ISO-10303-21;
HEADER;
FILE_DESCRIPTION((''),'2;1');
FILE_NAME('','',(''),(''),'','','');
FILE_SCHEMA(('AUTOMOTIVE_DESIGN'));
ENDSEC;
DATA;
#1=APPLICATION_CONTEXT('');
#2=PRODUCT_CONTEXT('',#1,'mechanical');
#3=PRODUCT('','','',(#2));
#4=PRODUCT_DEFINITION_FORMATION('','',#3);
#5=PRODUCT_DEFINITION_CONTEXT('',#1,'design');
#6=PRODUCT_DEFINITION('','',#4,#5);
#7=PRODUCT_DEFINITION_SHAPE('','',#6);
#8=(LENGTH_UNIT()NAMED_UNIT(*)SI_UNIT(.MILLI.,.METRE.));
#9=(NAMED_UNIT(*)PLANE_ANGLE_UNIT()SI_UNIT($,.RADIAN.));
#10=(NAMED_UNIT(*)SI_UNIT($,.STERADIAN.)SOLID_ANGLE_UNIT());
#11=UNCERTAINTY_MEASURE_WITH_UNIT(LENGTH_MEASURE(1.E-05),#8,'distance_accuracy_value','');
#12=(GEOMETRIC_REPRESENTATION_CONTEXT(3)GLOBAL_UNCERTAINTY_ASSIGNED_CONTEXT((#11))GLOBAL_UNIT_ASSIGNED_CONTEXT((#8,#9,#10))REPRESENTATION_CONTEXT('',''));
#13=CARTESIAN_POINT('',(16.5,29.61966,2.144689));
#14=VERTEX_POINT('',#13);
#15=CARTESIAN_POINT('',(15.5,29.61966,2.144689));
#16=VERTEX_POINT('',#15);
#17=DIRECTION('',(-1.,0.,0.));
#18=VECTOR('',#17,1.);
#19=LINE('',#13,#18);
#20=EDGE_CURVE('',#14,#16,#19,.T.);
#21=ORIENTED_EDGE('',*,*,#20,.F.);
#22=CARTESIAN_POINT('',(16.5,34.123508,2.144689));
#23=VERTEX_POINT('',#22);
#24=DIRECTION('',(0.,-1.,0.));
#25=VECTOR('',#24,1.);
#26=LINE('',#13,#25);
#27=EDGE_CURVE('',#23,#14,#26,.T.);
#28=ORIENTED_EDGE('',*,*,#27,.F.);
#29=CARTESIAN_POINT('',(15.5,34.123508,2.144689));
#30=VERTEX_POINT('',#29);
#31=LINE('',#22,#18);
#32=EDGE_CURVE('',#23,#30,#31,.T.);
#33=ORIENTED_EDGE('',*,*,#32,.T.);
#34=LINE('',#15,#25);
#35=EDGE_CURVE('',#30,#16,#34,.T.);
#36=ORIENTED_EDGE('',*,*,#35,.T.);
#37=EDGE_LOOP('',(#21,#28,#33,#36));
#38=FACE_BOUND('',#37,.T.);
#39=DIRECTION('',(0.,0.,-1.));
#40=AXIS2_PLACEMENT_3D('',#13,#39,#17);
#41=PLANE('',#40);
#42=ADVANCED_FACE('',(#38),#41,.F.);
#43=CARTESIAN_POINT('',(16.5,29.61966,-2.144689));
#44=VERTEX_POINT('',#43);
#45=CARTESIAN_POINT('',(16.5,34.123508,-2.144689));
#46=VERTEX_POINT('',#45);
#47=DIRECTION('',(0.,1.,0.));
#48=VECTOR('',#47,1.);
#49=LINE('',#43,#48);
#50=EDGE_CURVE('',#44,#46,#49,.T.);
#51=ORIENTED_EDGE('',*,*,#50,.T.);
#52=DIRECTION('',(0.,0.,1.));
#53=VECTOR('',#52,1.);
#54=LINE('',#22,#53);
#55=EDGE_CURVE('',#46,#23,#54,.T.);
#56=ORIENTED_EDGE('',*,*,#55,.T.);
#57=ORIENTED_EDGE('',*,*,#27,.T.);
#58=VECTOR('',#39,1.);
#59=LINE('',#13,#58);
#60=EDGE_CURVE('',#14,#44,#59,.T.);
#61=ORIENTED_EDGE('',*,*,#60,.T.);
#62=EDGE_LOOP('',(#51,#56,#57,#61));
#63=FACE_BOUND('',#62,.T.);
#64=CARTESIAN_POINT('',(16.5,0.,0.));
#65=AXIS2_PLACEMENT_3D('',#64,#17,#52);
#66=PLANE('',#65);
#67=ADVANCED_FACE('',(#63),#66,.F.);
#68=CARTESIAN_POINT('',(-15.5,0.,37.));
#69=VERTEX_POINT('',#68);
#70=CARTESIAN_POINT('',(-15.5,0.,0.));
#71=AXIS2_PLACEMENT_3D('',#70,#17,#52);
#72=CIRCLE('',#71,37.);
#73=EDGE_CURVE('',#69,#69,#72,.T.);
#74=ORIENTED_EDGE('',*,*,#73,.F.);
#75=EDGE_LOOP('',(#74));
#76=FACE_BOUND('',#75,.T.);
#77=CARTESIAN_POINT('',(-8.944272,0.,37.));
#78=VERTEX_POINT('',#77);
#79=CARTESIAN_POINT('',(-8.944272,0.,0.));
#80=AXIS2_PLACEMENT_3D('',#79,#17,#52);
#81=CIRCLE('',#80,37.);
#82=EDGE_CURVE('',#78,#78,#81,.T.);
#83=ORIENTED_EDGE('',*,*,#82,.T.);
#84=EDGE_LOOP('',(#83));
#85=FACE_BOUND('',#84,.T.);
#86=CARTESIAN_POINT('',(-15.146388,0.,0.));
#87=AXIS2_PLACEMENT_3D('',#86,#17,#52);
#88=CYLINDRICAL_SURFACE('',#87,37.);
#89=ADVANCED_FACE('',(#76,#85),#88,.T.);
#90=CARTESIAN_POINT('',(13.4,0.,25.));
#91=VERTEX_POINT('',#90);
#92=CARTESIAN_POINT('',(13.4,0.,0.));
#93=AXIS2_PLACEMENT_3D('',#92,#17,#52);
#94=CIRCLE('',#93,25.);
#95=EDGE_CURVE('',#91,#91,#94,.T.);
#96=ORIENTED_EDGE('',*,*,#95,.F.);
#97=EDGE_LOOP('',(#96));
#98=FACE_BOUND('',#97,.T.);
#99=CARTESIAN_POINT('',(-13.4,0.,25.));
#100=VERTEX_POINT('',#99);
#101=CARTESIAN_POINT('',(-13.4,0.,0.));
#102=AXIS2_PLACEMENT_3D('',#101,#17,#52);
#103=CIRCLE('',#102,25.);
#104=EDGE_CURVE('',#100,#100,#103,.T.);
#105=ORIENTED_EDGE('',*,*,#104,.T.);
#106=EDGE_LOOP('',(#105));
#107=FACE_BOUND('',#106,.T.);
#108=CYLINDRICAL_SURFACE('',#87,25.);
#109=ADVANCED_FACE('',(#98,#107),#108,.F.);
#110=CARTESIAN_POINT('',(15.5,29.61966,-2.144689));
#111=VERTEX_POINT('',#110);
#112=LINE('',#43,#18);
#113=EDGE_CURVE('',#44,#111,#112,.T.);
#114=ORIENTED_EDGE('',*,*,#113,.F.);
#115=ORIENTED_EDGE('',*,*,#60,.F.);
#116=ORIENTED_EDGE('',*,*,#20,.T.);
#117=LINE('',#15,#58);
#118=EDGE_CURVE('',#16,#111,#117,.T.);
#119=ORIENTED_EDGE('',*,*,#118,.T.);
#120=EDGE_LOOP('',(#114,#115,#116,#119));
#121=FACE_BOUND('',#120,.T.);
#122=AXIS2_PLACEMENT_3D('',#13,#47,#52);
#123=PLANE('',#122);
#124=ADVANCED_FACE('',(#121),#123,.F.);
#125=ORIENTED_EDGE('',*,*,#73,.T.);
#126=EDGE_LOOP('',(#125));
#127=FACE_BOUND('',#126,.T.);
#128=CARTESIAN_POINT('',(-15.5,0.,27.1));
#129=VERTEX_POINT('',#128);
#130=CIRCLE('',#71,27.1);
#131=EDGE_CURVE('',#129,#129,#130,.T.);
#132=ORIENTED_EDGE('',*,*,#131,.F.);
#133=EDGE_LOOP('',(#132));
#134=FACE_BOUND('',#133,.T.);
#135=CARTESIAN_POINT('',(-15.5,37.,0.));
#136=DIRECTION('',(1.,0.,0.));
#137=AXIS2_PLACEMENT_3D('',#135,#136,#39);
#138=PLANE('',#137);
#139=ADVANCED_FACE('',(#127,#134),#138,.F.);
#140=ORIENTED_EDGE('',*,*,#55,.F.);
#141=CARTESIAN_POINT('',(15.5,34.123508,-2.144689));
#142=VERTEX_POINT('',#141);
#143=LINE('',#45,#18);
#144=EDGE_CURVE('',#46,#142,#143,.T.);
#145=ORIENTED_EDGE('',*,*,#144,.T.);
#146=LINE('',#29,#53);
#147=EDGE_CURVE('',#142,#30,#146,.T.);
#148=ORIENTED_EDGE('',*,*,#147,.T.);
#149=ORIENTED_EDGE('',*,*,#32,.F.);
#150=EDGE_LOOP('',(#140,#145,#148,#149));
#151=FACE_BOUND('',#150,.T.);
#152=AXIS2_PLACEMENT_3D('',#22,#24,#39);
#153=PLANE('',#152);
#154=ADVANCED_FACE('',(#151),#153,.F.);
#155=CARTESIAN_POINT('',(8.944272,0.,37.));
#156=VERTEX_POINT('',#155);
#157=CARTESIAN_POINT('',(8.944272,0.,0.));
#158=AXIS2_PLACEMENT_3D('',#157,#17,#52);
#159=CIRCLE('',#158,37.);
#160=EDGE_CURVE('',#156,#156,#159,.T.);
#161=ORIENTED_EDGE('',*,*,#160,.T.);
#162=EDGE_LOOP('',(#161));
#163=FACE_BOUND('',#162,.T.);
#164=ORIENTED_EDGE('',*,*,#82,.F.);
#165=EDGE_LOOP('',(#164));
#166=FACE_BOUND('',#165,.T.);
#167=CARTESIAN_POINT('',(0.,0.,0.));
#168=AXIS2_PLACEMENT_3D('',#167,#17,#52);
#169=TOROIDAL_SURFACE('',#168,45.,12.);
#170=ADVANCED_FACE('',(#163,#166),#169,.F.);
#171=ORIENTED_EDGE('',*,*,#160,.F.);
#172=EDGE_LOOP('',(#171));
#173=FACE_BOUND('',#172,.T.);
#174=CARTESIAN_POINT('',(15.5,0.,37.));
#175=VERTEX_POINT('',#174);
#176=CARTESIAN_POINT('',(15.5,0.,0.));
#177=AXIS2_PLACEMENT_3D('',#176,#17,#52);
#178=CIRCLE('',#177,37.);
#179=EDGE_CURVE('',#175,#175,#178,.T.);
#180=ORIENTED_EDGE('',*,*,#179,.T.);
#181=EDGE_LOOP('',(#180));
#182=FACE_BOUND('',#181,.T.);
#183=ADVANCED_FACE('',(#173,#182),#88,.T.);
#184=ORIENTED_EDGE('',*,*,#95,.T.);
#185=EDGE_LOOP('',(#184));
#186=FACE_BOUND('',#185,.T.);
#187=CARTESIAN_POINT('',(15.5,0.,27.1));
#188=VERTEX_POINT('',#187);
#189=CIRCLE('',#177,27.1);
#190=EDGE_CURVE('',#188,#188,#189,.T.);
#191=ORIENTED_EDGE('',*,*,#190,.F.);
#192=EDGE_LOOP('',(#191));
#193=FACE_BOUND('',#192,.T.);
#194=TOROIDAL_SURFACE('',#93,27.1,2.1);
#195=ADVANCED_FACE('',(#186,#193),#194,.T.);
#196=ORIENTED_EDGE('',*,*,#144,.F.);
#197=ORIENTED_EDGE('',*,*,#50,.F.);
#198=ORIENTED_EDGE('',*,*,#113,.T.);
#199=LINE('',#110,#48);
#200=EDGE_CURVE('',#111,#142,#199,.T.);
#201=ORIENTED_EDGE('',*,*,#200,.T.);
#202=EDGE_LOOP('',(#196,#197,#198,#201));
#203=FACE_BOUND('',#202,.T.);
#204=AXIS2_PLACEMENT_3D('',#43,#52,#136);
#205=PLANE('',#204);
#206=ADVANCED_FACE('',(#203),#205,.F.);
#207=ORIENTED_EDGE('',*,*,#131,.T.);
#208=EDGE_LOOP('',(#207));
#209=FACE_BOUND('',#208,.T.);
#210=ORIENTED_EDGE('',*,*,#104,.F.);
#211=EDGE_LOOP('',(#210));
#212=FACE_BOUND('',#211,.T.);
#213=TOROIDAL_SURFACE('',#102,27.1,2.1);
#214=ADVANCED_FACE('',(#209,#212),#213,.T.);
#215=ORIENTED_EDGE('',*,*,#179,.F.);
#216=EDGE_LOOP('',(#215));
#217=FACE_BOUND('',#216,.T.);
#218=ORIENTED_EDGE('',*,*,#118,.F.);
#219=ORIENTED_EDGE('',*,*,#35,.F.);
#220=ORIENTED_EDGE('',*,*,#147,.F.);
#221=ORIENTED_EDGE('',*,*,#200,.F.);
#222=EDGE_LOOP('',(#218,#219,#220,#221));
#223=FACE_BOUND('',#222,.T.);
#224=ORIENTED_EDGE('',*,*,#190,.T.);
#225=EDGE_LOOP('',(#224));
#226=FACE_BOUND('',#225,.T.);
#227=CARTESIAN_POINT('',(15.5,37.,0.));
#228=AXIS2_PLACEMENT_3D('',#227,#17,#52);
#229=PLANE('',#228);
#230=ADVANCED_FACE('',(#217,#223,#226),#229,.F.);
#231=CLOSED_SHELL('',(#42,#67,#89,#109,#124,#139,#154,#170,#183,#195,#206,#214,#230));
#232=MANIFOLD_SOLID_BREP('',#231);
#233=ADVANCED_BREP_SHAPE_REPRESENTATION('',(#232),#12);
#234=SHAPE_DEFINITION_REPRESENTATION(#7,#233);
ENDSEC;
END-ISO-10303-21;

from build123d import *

# Parameters (mm, degrees)
SKETCH2_W           = 4.289378808
SKETCH2_H           = 4.50384775
BOSS_EXTRUDE1_DEPTH = 1


with BuildPart() as part:
    # Sketch1 → Revolve2 (revolve)
    with BuildSketch(Plane.XY, mode=Mode.PRIVATE) as revolve2_sk:
        with BuildLine():
            Line((-15.5, 37), (-8.94427191, 37))
            ThreePointArc((-8.94427191, 37), (0, 33), (8.94427191, 37))
            Line((8.94427191, 37), (15.5, 37))
            Line((15.5, 37), (15.5, 27.1))
            ThreePointArc((15.5, 27.1), (14.88492424, 25.61507576), (13.4, 25))
            Line((13.4, 25), (-13.4, 25))
            ThreePointArc((-13.4, 25), (-14.88492424, 25.61507576), (-15.5, 27.1))
            Line((-15.5, 27.1), (-15.5, 37))
        make_face()
    revolve(revolve2_sk.sketch.rotate(Axis((-15.146387833, 0, 0), (1, 0, 0)), 90), axis=Axis((-15.146387833, 0, 0), (1, 0, 0)))

    # Sketch2 → Boss-Extrude1 (add)
    with BuildSketch(Plane(origin=(15.5, 0, 0), x_dir=(0, 0, -1), z_dir=(1, 0, 0))):
        with Locations((0, 31.871583754)):
            Rectangle(SKETCH2_W, SKETCH2_H)
    extrude(amount=BOSS_EXTRUDE1_DEPTH)


solid = part.part
